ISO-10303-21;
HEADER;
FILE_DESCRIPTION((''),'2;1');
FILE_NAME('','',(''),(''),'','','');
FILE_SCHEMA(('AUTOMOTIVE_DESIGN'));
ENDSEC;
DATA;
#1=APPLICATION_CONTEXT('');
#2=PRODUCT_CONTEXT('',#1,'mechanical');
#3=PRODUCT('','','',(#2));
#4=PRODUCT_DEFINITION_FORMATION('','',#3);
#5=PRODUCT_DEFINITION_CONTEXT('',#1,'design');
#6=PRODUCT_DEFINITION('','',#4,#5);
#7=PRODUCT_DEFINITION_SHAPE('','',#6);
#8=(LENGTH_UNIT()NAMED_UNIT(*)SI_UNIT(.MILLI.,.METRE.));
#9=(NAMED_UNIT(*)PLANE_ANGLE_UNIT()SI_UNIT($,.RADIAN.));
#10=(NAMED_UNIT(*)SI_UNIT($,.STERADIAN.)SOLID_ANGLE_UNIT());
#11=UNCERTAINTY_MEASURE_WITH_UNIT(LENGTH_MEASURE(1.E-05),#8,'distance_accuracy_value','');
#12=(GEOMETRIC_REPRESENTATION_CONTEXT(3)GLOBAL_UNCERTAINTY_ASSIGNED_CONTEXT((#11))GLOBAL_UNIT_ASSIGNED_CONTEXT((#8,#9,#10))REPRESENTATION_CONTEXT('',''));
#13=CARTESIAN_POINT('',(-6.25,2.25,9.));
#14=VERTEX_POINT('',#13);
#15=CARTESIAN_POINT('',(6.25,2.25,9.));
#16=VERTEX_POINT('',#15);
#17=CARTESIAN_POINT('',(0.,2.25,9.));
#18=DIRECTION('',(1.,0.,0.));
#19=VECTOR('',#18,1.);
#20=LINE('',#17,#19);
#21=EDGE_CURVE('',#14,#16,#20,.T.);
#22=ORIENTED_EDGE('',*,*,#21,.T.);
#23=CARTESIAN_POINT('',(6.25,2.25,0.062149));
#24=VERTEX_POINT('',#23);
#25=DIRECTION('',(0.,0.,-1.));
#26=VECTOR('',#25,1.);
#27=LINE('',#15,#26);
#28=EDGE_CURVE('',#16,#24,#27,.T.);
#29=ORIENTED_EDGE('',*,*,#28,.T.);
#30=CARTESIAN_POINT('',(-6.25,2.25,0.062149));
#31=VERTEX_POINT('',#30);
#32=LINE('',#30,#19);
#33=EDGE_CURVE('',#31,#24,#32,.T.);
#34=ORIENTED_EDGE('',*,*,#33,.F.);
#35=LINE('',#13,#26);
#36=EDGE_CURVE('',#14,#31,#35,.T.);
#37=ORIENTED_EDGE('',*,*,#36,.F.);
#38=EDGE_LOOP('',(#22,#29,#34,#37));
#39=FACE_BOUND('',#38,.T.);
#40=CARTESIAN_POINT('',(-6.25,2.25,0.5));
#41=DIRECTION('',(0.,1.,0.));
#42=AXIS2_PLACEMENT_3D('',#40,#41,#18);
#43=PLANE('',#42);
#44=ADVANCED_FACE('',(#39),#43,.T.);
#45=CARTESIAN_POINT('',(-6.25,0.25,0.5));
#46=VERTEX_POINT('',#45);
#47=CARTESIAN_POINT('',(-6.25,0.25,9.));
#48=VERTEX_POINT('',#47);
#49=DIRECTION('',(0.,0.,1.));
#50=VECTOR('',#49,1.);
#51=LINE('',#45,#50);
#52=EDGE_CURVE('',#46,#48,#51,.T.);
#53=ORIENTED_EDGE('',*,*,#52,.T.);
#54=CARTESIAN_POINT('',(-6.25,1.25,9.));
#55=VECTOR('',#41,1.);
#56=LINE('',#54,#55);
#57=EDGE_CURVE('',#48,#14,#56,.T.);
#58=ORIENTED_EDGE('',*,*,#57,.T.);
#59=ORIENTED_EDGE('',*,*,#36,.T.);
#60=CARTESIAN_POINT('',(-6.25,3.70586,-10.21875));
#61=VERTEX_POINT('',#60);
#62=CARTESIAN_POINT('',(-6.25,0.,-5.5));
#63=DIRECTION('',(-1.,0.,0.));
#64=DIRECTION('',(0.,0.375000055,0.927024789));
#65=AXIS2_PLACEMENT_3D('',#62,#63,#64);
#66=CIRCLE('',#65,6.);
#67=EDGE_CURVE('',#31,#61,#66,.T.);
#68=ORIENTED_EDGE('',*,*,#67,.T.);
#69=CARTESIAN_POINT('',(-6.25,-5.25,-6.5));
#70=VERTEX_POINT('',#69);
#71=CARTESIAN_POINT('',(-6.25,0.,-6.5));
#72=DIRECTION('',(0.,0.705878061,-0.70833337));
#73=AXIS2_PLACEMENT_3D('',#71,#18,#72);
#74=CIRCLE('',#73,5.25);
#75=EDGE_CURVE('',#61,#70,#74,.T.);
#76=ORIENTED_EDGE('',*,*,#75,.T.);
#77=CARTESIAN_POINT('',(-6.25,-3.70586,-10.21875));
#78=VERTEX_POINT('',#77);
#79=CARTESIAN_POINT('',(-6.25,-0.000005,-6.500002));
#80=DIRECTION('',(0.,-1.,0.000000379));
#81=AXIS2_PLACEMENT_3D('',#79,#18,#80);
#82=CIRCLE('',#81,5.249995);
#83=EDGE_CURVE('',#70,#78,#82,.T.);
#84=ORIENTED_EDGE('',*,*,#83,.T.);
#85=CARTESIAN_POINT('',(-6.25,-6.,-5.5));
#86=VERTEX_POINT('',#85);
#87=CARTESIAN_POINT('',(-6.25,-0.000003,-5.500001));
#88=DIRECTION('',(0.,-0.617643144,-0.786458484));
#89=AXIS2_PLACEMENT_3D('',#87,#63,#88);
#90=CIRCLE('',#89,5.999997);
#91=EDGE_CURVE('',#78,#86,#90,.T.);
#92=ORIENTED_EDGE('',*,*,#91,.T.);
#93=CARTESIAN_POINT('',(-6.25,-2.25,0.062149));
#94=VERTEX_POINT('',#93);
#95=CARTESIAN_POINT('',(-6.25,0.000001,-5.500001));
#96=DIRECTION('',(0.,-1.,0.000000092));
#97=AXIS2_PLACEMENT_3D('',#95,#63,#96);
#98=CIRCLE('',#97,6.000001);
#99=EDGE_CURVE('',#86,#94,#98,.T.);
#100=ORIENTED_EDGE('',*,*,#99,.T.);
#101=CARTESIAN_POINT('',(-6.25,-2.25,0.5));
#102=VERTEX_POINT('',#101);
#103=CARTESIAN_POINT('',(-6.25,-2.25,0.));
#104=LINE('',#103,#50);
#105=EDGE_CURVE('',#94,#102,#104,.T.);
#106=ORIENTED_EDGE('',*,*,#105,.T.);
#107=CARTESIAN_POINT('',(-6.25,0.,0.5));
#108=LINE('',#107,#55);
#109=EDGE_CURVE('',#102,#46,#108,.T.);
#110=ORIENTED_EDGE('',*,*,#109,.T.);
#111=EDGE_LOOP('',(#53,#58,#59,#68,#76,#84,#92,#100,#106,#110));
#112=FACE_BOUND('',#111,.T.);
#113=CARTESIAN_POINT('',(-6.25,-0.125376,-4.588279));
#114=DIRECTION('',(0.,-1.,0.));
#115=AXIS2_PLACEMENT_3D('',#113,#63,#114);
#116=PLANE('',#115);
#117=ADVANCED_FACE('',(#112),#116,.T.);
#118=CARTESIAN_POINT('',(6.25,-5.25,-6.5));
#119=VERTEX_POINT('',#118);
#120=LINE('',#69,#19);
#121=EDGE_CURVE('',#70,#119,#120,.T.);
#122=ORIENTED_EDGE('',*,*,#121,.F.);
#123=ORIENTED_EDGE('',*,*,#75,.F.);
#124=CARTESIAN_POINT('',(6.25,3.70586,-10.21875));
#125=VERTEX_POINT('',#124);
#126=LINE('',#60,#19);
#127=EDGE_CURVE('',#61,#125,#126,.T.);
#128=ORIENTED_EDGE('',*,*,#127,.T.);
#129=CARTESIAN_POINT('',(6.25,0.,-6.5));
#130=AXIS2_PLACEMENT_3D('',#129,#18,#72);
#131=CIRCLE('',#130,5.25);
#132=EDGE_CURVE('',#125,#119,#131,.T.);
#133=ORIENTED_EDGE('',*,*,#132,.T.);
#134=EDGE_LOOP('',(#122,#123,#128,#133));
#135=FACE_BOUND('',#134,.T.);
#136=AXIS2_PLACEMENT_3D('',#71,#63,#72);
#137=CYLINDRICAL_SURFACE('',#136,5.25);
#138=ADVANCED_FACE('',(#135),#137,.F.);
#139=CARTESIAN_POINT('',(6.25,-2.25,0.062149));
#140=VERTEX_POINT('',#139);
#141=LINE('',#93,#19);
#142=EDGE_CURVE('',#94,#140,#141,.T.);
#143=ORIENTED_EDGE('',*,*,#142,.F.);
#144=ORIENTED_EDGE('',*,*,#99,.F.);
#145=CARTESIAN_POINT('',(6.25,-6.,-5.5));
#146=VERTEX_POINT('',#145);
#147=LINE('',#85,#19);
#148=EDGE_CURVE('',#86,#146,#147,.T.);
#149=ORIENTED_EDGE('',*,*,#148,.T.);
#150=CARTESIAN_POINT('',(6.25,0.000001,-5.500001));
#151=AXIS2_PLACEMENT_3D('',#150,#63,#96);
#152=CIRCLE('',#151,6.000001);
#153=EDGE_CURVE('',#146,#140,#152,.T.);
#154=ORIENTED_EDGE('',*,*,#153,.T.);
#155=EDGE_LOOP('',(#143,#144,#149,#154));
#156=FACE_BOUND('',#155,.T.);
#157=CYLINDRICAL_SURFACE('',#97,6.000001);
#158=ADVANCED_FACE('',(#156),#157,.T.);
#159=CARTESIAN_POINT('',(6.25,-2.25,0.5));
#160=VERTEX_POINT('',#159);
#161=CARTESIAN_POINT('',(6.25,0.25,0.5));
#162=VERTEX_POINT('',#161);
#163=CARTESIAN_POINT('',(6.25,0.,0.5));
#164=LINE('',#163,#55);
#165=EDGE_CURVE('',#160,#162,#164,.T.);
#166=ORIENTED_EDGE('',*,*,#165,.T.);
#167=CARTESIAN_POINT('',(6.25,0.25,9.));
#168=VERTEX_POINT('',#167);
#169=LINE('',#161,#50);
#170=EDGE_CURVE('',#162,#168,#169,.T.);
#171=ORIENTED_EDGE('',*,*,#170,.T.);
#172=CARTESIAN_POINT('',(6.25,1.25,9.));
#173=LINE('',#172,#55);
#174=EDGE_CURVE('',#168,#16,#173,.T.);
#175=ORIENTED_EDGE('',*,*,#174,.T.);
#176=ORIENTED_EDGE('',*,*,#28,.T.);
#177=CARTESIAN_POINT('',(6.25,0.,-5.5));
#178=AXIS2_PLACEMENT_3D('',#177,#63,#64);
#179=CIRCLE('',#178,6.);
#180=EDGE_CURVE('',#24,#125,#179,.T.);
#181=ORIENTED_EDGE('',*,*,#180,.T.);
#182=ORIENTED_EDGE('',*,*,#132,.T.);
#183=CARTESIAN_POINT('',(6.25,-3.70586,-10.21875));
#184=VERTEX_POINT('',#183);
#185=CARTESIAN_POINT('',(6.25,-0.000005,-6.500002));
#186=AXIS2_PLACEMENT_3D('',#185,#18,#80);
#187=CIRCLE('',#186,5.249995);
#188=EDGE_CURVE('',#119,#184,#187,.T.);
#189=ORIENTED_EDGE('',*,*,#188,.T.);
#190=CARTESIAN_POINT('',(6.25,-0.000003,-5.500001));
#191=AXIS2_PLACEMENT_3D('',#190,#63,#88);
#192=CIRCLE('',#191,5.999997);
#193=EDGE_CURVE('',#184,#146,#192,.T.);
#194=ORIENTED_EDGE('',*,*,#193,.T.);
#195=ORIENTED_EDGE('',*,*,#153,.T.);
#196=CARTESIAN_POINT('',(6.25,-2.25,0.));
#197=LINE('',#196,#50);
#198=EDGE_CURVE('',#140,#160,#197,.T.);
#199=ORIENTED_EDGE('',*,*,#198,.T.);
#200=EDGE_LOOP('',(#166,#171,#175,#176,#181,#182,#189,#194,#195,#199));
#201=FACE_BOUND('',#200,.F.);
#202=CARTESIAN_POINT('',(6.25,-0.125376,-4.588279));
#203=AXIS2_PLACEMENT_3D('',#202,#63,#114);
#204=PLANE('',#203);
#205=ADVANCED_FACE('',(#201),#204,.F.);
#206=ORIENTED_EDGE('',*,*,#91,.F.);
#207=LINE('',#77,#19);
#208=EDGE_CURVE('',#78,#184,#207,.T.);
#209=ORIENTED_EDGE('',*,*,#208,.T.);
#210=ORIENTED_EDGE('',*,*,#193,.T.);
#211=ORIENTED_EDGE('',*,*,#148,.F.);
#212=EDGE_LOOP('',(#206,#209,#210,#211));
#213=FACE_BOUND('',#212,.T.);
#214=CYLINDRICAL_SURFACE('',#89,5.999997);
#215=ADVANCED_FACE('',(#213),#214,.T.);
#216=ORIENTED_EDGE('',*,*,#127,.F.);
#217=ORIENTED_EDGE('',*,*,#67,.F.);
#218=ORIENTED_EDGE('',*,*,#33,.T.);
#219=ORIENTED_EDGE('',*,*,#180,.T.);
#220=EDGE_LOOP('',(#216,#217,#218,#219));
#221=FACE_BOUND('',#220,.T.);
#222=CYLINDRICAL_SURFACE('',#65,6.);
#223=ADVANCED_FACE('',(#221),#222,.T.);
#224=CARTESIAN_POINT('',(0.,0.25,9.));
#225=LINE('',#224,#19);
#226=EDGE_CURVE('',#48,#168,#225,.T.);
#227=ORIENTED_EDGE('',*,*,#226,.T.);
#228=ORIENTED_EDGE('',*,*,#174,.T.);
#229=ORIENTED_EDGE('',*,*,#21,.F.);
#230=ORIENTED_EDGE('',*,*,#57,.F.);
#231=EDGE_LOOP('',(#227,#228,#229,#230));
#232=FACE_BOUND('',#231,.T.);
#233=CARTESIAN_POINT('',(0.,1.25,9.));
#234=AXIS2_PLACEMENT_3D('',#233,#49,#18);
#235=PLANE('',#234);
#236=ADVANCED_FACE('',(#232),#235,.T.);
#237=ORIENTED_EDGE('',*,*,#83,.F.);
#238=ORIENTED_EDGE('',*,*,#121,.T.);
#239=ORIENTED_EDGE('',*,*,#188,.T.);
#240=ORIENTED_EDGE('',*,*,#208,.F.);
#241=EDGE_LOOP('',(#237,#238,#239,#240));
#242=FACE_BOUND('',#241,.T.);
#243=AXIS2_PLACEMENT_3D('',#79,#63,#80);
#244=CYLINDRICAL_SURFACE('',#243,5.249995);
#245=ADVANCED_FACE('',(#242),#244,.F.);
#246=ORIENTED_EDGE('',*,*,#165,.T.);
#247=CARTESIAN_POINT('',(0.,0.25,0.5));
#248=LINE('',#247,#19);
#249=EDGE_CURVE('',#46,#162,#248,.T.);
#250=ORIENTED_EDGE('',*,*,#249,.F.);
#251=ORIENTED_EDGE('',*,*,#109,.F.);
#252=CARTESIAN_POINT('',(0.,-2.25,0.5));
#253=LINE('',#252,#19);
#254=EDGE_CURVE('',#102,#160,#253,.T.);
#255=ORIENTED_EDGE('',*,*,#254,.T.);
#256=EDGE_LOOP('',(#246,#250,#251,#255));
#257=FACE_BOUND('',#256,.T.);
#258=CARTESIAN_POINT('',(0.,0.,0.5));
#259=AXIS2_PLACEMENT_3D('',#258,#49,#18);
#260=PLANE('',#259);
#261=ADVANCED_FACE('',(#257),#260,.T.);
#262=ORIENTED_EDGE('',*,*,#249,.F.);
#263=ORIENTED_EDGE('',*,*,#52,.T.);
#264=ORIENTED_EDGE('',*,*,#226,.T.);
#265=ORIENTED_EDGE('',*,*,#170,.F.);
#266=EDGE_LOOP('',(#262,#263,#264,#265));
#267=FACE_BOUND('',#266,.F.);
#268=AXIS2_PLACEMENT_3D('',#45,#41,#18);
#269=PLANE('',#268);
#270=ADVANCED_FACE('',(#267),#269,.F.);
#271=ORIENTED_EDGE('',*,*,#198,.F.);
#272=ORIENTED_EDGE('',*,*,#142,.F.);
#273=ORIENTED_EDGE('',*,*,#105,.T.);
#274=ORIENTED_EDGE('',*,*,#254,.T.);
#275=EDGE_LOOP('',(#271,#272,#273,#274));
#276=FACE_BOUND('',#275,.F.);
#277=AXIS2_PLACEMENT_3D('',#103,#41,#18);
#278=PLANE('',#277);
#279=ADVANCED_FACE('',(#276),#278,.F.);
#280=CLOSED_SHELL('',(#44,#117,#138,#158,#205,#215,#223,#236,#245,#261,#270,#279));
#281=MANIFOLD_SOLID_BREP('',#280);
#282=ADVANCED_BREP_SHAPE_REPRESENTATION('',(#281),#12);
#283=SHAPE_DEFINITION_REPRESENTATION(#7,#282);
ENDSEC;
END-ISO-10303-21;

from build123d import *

# Parameters (mm, degrees)
F0_W     = 12.5
F0_H     = 4.5
F1_DEPTH = 0.5
F2_W     = 12.5
F2_H     = 2
F3_DEPTH = 8.5
F5_DEPTH = 12.5


with BuildPart() as f1:
    # F0 (on Top) → F1 (new body)
    with BuildSketch(Plane.XY):
        Rectangle(F0_W, F0_H)
    extrude(amount=F1_DEPTH)

    # F2 (on face) → F3 (join)
    with BuildSketch(Plane.XY.offset(0.5)):
        with Locations((0, 1.25)):
            Rectangle(F2_W, F2_H)
    extrude(amount=F3_DEPTH)

    # F4 (on face) → F5 (join)
    with BuildSketch(Plane(origin=(-6.25, 0, 0), x_dir=(0, -1, 0), z_dir=(-1, 0, 0))):
        with BuildLine():
            ThreePointArc((3.70586, -10.21875), (5.396071, -8.123437), (6, -5.5))
            ThreePointArc((6, -5.5), (4.974937, -2.145898), (2.25, 0.062149))
            Line((2.25, 0.062149), (2.25, 0))
            Line((2.25, 0), (-2.25, 0))
            Line((-2.25, 0), (-2.25, 0.062149))
            ThreePointArc((-2.25, 0.062149), (-5.940731, -4.658743), (-3.70586, -10.21875))
            ThreePointArc((-3.70586, -10.21875), (-2.013298, -1.651378), (5.25, -6.5))
            ThreePointArc((5.25, -6.5), (4.848622, -8.513298), (3.70586, -10.21875))
        make_face()
    extrude(amount=-F5_DEPTH)


solid = f1.part
